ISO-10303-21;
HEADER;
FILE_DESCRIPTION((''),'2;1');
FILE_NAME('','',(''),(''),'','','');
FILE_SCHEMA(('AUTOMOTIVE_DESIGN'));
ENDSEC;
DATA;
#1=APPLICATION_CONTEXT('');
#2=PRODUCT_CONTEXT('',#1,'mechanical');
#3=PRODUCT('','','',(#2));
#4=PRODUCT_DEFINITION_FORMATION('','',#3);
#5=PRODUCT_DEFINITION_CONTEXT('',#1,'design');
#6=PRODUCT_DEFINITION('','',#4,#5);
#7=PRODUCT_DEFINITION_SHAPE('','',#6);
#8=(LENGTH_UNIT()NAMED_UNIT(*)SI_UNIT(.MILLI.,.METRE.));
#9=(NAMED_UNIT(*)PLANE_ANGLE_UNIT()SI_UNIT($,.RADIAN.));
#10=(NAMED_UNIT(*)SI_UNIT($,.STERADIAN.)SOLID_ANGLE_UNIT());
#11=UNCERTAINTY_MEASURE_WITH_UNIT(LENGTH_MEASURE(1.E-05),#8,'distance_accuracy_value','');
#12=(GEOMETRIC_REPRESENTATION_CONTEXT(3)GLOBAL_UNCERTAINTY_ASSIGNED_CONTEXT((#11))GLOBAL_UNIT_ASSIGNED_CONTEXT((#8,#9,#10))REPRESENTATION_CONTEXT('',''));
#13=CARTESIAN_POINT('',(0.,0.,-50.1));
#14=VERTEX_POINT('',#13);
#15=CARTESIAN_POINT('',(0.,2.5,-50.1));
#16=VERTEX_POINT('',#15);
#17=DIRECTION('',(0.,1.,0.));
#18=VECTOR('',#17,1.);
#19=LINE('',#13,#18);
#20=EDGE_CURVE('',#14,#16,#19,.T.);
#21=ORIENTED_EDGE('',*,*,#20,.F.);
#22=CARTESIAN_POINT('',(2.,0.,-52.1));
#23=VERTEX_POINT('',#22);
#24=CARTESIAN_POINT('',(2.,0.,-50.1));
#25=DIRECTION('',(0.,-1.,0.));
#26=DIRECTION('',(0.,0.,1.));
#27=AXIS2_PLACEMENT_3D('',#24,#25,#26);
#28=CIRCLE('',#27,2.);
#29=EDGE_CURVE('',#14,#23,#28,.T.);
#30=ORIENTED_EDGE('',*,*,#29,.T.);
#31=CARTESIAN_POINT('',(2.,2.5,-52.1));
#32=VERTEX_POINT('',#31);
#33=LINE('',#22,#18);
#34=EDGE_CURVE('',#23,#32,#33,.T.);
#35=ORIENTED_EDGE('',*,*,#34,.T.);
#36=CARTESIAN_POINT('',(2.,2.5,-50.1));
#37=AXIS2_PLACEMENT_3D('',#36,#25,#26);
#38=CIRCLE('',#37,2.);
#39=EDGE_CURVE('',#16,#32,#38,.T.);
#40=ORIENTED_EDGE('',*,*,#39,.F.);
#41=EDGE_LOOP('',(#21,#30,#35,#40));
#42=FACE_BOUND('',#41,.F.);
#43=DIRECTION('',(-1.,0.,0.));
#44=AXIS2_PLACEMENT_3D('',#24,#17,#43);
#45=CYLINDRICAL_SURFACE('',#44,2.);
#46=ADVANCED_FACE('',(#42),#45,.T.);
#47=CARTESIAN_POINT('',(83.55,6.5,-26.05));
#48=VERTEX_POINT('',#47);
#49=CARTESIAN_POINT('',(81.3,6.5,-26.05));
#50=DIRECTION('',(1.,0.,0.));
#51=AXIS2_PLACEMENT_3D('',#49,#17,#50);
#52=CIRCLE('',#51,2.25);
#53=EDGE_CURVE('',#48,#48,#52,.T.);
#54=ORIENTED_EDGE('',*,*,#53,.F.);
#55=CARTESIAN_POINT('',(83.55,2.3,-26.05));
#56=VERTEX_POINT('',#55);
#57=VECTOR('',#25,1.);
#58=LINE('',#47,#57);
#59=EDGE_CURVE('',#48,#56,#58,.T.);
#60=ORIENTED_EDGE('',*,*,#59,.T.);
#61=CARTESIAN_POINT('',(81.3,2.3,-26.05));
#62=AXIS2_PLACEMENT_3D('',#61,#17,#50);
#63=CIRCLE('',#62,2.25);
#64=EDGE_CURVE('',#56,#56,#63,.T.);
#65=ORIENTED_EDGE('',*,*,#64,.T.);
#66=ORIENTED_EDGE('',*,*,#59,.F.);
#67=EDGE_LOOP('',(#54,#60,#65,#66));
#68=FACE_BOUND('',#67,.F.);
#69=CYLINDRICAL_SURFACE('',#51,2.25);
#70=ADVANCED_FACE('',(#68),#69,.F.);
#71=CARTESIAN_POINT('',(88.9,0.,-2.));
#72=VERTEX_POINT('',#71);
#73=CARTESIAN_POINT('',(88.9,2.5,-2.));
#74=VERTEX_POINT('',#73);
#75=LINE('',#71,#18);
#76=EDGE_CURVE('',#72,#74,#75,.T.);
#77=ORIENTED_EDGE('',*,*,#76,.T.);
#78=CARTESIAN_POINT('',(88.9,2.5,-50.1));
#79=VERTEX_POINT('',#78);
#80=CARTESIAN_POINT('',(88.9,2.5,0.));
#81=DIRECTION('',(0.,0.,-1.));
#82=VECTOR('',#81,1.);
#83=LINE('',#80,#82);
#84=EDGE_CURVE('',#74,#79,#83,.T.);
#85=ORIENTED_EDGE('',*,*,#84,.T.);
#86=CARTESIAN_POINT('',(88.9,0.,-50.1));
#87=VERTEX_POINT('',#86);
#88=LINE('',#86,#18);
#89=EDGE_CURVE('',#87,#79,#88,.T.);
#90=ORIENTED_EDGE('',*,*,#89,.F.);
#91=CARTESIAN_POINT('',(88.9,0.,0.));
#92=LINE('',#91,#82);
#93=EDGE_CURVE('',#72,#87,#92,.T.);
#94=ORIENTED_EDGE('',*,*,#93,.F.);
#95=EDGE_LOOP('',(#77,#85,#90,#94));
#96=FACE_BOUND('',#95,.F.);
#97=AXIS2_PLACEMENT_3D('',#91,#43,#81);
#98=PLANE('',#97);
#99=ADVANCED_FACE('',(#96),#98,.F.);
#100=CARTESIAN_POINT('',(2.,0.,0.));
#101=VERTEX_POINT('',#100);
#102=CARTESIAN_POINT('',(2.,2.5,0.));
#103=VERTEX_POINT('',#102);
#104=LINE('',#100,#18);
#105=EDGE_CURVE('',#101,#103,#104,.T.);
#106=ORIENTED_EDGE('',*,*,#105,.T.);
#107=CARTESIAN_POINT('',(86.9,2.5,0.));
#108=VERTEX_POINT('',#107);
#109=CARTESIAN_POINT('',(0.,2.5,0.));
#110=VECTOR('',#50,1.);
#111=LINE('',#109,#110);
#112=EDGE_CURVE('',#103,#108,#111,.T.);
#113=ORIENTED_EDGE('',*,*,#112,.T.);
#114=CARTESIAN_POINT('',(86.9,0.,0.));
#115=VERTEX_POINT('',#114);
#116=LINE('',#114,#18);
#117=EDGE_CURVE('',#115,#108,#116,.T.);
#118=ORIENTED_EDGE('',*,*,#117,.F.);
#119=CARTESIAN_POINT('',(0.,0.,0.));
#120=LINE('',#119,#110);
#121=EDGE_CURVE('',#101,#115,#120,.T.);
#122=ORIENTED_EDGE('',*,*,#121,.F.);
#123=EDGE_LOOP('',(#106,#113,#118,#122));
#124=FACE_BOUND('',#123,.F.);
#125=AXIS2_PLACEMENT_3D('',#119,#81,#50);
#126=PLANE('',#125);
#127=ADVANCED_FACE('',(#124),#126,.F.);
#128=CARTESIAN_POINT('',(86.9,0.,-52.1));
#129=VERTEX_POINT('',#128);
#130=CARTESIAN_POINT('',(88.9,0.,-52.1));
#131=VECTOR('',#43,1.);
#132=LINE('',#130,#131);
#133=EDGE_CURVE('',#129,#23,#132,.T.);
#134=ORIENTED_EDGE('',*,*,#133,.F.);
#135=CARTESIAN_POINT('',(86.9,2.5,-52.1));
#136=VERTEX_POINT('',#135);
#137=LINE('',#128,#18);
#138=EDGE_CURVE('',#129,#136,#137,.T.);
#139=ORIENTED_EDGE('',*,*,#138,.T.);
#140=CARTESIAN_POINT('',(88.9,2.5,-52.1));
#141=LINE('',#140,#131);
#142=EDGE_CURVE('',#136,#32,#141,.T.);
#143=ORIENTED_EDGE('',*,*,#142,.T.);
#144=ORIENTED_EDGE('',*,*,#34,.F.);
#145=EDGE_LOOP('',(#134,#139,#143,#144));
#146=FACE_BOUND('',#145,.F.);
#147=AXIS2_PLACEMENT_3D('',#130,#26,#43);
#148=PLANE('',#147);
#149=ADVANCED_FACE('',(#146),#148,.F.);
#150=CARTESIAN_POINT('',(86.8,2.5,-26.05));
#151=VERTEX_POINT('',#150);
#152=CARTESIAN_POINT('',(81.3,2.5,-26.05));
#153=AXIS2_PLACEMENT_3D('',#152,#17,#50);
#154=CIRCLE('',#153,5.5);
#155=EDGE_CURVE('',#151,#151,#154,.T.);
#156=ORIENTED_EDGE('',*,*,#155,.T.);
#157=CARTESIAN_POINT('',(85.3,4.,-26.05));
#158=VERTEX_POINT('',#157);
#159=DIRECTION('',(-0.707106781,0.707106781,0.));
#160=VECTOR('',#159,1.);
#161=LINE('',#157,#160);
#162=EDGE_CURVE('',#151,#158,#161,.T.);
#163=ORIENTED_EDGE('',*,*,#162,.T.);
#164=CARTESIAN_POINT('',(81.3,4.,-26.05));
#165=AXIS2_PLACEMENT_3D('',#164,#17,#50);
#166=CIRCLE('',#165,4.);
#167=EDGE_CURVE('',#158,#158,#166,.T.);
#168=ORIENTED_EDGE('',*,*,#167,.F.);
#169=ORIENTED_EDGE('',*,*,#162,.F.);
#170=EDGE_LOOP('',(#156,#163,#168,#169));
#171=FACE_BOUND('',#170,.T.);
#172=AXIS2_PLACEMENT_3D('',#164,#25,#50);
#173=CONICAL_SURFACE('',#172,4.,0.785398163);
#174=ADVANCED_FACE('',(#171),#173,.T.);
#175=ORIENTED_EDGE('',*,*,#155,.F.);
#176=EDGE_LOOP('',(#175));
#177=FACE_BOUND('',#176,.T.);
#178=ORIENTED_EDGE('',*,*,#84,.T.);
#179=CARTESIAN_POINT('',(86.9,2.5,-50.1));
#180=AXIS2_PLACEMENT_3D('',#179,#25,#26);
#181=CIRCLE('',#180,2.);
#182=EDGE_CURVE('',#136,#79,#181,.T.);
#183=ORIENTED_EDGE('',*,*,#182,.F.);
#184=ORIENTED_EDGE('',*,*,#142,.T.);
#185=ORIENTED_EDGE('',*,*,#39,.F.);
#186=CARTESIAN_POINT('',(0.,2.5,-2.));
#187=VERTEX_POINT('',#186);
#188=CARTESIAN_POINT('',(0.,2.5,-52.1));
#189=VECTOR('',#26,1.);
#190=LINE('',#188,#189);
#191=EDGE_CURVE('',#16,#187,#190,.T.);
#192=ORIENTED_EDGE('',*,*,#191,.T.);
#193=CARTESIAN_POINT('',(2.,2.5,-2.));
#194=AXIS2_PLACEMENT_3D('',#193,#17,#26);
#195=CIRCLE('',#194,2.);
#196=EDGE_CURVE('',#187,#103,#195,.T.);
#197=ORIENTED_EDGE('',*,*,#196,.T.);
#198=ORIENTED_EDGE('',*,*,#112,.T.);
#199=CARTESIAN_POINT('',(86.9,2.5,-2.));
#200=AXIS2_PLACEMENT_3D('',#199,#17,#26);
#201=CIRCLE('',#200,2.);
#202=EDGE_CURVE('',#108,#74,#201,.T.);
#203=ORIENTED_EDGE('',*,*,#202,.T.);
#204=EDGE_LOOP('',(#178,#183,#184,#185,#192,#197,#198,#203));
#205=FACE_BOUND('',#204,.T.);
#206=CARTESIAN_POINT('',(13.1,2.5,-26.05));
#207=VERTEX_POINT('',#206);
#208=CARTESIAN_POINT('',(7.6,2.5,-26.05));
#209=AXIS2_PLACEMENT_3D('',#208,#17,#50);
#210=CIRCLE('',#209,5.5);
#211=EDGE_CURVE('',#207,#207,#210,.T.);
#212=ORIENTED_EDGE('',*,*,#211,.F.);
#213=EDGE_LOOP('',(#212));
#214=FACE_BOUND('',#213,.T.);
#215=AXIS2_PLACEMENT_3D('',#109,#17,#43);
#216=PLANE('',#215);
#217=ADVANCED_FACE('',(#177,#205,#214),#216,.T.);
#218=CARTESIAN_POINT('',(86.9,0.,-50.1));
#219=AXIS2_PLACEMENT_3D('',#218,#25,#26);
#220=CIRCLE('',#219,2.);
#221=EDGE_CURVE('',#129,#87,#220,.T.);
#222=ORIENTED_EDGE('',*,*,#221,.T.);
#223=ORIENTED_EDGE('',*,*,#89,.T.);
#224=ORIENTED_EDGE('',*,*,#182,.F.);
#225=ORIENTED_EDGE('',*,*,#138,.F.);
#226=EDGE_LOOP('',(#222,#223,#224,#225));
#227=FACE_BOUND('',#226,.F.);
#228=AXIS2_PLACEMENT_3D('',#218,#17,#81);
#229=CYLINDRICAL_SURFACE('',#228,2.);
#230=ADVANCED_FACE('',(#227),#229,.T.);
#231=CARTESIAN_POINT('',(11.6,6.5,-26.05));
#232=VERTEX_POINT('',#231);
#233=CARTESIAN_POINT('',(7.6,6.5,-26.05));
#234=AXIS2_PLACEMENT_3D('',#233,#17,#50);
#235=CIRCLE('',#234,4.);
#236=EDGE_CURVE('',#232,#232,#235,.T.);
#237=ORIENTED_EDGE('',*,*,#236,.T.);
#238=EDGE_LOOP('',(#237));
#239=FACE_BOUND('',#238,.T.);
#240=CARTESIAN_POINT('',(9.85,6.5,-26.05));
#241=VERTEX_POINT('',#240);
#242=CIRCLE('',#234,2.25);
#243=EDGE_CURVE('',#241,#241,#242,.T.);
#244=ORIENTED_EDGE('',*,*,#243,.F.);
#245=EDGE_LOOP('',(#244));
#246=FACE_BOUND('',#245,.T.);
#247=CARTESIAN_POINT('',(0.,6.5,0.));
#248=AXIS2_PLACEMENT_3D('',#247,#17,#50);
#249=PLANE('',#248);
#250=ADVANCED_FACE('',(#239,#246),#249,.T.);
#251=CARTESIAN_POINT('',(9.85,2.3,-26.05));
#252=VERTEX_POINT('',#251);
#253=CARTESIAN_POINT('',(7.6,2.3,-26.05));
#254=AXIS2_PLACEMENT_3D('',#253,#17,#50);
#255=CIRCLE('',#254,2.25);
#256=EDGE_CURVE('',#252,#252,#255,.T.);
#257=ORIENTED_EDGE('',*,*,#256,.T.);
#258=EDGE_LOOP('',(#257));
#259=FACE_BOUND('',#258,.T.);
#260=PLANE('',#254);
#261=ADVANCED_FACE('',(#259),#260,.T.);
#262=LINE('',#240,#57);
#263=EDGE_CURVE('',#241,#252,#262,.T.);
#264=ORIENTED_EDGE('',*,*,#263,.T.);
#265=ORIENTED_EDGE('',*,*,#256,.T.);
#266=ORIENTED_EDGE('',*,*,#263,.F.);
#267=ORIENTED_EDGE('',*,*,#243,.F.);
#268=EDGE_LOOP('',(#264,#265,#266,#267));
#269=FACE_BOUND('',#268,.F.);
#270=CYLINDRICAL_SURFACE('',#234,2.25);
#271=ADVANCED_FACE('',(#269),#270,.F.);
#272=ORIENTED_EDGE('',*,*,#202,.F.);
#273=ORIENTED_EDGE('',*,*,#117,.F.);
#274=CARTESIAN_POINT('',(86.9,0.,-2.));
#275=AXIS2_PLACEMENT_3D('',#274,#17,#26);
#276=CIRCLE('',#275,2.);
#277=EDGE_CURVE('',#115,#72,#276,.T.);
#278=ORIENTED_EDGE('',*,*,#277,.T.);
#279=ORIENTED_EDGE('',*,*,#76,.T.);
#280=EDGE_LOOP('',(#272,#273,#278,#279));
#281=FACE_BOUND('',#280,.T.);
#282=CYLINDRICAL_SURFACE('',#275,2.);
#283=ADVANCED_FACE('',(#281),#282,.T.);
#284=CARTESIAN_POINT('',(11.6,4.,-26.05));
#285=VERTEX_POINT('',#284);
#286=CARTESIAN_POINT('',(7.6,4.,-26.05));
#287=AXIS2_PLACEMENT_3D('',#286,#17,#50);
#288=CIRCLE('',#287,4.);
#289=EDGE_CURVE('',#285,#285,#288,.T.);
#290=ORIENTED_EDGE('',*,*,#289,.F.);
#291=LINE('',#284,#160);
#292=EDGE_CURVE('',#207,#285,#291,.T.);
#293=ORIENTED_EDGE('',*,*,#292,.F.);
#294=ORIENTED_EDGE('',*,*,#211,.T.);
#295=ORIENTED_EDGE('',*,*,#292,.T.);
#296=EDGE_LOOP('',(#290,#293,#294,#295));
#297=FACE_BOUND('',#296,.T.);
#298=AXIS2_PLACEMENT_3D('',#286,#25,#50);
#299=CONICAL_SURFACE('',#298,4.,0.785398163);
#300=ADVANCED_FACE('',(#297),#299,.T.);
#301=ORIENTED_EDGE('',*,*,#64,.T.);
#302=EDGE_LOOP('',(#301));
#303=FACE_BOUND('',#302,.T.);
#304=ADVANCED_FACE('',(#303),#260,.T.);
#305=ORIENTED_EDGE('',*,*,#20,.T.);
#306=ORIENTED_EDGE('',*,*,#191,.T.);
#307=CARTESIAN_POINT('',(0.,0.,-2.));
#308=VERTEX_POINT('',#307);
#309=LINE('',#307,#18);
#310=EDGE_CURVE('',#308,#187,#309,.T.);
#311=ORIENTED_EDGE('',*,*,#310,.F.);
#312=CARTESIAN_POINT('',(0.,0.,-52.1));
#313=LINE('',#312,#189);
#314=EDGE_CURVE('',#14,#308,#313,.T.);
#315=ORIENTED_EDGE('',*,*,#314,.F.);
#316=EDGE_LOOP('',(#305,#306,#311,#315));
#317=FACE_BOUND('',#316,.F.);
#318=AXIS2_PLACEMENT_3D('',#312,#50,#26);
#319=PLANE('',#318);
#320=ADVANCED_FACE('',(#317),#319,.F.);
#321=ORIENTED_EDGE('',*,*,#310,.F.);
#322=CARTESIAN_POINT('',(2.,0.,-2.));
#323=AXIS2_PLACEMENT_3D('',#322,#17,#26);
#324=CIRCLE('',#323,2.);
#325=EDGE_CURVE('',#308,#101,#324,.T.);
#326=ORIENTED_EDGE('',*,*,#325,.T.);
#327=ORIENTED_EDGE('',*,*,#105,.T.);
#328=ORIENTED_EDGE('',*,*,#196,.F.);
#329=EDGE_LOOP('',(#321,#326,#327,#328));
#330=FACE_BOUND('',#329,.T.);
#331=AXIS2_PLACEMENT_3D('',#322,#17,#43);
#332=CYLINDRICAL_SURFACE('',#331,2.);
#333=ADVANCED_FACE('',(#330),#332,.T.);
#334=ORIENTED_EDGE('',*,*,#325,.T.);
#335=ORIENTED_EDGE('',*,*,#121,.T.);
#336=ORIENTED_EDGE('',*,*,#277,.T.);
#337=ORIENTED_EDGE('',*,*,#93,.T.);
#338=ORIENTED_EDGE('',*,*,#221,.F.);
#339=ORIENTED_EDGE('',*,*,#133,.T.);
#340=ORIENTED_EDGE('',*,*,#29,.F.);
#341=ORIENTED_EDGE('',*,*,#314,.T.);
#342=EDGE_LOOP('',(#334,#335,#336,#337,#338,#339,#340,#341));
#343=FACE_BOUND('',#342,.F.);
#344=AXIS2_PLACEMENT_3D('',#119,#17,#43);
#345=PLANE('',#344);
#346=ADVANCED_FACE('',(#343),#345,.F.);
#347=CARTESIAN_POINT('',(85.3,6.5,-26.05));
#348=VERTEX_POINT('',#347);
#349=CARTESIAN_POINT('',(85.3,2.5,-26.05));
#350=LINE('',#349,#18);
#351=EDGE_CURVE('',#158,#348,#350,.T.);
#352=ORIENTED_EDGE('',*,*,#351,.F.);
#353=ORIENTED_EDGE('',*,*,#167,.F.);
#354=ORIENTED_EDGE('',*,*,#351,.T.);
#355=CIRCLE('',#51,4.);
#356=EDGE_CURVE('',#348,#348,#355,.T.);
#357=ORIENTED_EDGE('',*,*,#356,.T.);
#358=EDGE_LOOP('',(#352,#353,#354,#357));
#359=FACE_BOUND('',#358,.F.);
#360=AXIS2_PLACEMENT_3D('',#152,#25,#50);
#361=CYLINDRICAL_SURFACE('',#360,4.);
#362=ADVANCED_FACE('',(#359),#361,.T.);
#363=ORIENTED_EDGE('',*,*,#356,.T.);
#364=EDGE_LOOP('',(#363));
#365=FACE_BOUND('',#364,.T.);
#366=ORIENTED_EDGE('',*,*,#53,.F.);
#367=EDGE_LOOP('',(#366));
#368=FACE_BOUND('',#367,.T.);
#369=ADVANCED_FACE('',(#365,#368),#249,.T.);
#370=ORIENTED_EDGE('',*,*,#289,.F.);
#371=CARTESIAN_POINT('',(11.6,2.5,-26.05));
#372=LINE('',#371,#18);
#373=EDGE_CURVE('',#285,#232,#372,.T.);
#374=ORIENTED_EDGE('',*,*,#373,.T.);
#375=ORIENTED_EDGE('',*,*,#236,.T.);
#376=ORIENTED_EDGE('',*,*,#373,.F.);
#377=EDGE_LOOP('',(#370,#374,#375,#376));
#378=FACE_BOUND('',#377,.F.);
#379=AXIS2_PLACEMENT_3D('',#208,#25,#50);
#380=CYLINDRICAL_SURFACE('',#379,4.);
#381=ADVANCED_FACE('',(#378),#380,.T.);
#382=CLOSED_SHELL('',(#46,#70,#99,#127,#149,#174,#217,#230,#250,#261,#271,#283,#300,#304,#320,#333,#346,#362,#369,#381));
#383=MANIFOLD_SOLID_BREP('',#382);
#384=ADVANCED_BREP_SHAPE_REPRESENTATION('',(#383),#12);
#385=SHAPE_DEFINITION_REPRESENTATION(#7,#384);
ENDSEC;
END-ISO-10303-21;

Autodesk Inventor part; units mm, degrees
ref_plane "YZ Plane" through (0, 0, 0) normal (1, 0, 0) x (0, 1, 0)
ref_plane "XZ Plane" through (0, 0, 0) normal (0, 1, 0) x (-1, 0, 0)
ref_plane "XY Plane" through (0, 0, 0) normal (0, 0, 1) x (1, 0, 0)
sketch "Sketch1" plane through (0, 0, 0) normal (0, 1, 0) x (-1, 0, 0)
  line L0 (0, 0) -> (-88.9, 0)
  line L1 (-88.9, 0) -> (-88.9, -52.1)
  line L2 (-88.9, -52.1) -> (0, -52.1)
  line L3 (0, -52.1) -> (0, 0)
  dimension "d0" = 88.9
  dimension "d1" = 52.1
extrude "Extrusion1" add sketch "Sketch1" along normal blind 2.5
sketch "Sketch2" plane through (0, 2.5, 0) normal (0, 1, 0) x (1, 0, 0)
  circle A0 centre (7.6, 26.05) radius 4
  circle A1 centre (81.3, 26.05) radius 4
  line L0 (0, 52.1) -> (0, 0) projected
  line L1 (88.9, 0) -> (88.9, 52.1) projected
  line L2 (88.9, 52.1) -> (0, 52.1) projected
  dimension "d4" = 8
  dimension "d5" = 8
  dimension "d6" = 7.6
  dimension "d7" = 7.6
  dimension "d8" = 26.05
  dimension "d9" = 26.05
extrude "Extrusion2" add sketch "Sketch2" along normal blind 4
sketch "Sketch3" plane through (7.6, 6.5, -26.05) normal (0, 1, 0) x (1, 0, 0)
  circle A0 centre (0, 0) radius 4 projected
  circle A1 centre (73.7, 0) radius 4 projected
  circle A2 centre (0, 0) radius 2.25
  circle A3 centre (73.7, 0) radius 2.25
  point P0 (-7.6, -26.05)
  dimension "d12" = 4.5
  dimension "d13" = 4.5
extrude "Extrusion3" cut sketch "Sketch3" against normal blind 4.2 contours A2 | A3
chamfer "Chamfer1" distance 1.5 angle 45 2 edges at (77.3, 2.5, -26.05) (3.6, 2.5, -26.05)
fillet "Fillet1" radius 2 4 edges at (0, 1.25, 0) (88.9, 1.25, 0) (88.9, 1.25, -52.1) (0, 1.25, -52.1)
properties part number "medium_backplate"
